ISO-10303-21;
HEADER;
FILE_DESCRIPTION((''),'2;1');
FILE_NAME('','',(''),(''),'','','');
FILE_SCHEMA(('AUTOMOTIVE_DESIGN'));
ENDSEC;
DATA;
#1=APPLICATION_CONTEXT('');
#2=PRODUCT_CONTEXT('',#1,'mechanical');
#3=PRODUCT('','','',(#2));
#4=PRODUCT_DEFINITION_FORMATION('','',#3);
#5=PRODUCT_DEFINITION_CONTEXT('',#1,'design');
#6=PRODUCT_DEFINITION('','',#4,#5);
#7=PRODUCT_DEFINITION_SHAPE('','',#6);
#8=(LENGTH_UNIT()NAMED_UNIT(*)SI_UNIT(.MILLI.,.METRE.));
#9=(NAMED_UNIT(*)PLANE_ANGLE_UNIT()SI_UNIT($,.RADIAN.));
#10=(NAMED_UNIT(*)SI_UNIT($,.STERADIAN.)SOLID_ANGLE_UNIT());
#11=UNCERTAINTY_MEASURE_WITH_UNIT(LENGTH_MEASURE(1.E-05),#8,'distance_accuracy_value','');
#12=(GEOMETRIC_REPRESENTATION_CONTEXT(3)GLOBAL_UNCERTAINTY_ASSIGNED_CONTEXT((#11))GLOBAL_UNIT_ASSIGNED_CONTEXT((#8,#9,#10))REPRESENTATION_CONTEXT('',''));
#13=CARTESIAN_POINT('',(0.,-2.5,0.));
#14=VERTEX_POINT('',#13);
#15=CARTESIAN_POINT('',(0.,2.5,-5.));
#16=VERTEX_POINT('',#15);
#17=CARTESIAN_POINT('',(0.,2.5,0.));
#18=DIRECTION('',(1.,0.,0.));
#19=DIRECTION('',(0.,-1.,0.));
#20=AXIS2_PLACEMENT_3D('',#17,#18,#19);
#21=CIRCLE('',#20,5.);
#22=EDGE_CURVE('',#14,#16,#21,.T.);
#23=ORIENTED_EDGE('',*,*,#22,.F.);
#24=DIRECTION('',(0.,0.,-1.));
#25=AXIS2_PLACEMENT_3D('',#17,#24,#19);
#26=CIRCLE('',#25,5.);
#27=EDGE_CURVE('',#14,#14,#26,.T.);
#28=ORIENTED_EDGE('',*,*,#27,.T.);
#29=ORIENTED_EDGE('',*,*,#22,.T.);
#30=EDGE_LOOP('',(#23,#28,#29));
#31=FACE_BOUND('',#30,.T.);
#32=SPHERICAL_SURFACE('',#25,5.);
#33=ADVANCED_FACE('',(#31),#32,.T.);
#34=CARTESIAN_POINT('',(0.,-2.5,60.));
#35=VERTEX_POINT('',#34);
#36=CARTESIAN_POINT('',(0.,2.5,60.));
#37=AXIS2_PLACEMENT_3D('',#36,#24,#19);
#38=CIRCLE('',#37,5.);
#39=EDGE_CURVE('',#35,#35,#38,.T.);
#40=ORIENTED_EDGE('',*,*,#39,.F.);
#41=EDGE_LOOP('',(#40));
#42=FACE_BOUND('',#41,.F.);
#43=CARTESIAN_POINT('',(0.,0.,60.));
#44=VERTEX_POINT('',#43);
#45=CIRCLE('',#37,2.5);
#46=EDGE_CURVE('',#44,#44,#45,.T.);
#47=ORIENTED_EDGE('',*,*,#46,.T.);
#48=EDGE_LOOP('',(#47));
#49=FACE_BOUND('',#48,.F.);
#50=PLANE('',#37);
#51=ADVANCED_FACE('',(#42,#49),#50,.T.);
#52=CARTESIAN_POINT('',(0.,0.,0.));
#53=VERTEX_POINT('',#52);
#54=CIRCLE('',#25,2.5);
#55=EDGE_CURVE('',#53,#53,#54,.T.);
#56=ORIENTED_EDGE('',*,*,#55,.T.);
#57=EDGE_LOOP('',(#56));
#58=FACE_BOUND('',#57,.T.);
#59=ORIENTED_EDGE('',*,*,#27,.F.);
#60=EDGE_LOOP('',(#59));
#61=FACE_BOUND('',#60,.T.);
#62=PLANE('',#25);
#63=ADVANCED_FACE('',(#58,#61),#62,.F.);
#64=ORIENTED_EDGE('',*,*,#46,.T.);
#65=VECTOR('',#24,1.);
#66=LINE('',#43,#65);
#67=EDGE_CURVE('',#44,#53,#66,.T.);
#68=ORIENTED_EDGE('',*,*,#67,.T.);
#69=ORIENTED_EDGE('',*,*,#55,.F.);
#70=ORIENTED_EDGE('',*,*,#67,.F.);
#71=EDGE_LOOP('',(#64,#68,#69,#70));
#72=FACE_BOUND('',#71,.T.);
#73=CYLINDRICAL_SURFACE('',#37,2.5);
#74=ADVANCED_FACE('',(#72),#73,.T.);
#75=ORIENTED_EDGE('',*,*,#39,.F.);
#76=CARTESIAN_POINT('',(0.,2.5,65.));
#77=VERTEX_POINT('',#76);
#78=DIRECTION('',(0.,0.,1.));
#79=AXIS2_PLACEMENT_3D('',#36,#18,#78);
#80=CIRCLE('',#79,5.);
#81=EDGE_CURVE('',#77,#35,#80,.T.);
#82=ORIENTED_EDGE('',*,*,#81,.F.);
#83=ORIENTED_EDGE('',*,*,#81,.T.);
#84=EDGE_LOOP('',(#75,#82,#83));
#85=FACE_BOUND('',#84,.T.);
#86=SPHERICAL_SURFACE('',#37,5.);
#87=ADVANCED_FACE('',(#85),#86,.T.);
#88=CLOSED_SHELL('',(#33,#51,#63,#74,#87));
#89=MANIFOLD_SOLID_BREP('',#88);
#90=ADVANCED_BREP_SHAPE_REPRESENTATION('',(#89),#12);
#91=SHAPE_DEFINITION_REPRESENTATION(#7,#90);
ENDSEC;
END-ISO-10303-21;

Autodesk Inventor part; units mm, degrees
ref_plane "YZ Plane" through (0, 0, 0) normal (1, 0, 0) x (0, 1, 0)
ref_plane "XZ Plane" through (0, 0, 0) normal (0, 1, 0) x (-1, 0, 0)
ref_plane "XY Plane" through (0, 0, 0) normal (0, 0, 1) x (1, 0, 0)
sketch "Sketch1" plane through (0, 0, 0) normal (1, 0, 0) x (0, 1, 0)
  line L0 (0, 0) -> (2.5, 0)
  line L1 (2.5, 60) -> (0, 60)
  line L2 (0, 60) -> (0, 0)
  arc A0 (2.5, 65) -> (-2.5, 60) centre (2.5, 60) ccw
  arc A1 (-2.5, 0) -> (2.5, -5) centre (2.5, 0) ccw
  line L3 (0, 0) -> (-2.5, 0)
  line L4 (0, 60) -> (-2.5, 60)
  line L5 (2.5, 65) -> (2.5, -5)
  dimension "d1" = 60
  dimension "d2" = 10
  dimension "d3" = 10
  dimension "d5" = 2.5
  dimension "d6" = 70
revolve "Revolution1" add sketch "Sketch1" angle 360 about axis through (0, 2.5, 65) along (0, 0, -1)
properties part number "wheelshaft" material "Stainless Steel, 440C"
